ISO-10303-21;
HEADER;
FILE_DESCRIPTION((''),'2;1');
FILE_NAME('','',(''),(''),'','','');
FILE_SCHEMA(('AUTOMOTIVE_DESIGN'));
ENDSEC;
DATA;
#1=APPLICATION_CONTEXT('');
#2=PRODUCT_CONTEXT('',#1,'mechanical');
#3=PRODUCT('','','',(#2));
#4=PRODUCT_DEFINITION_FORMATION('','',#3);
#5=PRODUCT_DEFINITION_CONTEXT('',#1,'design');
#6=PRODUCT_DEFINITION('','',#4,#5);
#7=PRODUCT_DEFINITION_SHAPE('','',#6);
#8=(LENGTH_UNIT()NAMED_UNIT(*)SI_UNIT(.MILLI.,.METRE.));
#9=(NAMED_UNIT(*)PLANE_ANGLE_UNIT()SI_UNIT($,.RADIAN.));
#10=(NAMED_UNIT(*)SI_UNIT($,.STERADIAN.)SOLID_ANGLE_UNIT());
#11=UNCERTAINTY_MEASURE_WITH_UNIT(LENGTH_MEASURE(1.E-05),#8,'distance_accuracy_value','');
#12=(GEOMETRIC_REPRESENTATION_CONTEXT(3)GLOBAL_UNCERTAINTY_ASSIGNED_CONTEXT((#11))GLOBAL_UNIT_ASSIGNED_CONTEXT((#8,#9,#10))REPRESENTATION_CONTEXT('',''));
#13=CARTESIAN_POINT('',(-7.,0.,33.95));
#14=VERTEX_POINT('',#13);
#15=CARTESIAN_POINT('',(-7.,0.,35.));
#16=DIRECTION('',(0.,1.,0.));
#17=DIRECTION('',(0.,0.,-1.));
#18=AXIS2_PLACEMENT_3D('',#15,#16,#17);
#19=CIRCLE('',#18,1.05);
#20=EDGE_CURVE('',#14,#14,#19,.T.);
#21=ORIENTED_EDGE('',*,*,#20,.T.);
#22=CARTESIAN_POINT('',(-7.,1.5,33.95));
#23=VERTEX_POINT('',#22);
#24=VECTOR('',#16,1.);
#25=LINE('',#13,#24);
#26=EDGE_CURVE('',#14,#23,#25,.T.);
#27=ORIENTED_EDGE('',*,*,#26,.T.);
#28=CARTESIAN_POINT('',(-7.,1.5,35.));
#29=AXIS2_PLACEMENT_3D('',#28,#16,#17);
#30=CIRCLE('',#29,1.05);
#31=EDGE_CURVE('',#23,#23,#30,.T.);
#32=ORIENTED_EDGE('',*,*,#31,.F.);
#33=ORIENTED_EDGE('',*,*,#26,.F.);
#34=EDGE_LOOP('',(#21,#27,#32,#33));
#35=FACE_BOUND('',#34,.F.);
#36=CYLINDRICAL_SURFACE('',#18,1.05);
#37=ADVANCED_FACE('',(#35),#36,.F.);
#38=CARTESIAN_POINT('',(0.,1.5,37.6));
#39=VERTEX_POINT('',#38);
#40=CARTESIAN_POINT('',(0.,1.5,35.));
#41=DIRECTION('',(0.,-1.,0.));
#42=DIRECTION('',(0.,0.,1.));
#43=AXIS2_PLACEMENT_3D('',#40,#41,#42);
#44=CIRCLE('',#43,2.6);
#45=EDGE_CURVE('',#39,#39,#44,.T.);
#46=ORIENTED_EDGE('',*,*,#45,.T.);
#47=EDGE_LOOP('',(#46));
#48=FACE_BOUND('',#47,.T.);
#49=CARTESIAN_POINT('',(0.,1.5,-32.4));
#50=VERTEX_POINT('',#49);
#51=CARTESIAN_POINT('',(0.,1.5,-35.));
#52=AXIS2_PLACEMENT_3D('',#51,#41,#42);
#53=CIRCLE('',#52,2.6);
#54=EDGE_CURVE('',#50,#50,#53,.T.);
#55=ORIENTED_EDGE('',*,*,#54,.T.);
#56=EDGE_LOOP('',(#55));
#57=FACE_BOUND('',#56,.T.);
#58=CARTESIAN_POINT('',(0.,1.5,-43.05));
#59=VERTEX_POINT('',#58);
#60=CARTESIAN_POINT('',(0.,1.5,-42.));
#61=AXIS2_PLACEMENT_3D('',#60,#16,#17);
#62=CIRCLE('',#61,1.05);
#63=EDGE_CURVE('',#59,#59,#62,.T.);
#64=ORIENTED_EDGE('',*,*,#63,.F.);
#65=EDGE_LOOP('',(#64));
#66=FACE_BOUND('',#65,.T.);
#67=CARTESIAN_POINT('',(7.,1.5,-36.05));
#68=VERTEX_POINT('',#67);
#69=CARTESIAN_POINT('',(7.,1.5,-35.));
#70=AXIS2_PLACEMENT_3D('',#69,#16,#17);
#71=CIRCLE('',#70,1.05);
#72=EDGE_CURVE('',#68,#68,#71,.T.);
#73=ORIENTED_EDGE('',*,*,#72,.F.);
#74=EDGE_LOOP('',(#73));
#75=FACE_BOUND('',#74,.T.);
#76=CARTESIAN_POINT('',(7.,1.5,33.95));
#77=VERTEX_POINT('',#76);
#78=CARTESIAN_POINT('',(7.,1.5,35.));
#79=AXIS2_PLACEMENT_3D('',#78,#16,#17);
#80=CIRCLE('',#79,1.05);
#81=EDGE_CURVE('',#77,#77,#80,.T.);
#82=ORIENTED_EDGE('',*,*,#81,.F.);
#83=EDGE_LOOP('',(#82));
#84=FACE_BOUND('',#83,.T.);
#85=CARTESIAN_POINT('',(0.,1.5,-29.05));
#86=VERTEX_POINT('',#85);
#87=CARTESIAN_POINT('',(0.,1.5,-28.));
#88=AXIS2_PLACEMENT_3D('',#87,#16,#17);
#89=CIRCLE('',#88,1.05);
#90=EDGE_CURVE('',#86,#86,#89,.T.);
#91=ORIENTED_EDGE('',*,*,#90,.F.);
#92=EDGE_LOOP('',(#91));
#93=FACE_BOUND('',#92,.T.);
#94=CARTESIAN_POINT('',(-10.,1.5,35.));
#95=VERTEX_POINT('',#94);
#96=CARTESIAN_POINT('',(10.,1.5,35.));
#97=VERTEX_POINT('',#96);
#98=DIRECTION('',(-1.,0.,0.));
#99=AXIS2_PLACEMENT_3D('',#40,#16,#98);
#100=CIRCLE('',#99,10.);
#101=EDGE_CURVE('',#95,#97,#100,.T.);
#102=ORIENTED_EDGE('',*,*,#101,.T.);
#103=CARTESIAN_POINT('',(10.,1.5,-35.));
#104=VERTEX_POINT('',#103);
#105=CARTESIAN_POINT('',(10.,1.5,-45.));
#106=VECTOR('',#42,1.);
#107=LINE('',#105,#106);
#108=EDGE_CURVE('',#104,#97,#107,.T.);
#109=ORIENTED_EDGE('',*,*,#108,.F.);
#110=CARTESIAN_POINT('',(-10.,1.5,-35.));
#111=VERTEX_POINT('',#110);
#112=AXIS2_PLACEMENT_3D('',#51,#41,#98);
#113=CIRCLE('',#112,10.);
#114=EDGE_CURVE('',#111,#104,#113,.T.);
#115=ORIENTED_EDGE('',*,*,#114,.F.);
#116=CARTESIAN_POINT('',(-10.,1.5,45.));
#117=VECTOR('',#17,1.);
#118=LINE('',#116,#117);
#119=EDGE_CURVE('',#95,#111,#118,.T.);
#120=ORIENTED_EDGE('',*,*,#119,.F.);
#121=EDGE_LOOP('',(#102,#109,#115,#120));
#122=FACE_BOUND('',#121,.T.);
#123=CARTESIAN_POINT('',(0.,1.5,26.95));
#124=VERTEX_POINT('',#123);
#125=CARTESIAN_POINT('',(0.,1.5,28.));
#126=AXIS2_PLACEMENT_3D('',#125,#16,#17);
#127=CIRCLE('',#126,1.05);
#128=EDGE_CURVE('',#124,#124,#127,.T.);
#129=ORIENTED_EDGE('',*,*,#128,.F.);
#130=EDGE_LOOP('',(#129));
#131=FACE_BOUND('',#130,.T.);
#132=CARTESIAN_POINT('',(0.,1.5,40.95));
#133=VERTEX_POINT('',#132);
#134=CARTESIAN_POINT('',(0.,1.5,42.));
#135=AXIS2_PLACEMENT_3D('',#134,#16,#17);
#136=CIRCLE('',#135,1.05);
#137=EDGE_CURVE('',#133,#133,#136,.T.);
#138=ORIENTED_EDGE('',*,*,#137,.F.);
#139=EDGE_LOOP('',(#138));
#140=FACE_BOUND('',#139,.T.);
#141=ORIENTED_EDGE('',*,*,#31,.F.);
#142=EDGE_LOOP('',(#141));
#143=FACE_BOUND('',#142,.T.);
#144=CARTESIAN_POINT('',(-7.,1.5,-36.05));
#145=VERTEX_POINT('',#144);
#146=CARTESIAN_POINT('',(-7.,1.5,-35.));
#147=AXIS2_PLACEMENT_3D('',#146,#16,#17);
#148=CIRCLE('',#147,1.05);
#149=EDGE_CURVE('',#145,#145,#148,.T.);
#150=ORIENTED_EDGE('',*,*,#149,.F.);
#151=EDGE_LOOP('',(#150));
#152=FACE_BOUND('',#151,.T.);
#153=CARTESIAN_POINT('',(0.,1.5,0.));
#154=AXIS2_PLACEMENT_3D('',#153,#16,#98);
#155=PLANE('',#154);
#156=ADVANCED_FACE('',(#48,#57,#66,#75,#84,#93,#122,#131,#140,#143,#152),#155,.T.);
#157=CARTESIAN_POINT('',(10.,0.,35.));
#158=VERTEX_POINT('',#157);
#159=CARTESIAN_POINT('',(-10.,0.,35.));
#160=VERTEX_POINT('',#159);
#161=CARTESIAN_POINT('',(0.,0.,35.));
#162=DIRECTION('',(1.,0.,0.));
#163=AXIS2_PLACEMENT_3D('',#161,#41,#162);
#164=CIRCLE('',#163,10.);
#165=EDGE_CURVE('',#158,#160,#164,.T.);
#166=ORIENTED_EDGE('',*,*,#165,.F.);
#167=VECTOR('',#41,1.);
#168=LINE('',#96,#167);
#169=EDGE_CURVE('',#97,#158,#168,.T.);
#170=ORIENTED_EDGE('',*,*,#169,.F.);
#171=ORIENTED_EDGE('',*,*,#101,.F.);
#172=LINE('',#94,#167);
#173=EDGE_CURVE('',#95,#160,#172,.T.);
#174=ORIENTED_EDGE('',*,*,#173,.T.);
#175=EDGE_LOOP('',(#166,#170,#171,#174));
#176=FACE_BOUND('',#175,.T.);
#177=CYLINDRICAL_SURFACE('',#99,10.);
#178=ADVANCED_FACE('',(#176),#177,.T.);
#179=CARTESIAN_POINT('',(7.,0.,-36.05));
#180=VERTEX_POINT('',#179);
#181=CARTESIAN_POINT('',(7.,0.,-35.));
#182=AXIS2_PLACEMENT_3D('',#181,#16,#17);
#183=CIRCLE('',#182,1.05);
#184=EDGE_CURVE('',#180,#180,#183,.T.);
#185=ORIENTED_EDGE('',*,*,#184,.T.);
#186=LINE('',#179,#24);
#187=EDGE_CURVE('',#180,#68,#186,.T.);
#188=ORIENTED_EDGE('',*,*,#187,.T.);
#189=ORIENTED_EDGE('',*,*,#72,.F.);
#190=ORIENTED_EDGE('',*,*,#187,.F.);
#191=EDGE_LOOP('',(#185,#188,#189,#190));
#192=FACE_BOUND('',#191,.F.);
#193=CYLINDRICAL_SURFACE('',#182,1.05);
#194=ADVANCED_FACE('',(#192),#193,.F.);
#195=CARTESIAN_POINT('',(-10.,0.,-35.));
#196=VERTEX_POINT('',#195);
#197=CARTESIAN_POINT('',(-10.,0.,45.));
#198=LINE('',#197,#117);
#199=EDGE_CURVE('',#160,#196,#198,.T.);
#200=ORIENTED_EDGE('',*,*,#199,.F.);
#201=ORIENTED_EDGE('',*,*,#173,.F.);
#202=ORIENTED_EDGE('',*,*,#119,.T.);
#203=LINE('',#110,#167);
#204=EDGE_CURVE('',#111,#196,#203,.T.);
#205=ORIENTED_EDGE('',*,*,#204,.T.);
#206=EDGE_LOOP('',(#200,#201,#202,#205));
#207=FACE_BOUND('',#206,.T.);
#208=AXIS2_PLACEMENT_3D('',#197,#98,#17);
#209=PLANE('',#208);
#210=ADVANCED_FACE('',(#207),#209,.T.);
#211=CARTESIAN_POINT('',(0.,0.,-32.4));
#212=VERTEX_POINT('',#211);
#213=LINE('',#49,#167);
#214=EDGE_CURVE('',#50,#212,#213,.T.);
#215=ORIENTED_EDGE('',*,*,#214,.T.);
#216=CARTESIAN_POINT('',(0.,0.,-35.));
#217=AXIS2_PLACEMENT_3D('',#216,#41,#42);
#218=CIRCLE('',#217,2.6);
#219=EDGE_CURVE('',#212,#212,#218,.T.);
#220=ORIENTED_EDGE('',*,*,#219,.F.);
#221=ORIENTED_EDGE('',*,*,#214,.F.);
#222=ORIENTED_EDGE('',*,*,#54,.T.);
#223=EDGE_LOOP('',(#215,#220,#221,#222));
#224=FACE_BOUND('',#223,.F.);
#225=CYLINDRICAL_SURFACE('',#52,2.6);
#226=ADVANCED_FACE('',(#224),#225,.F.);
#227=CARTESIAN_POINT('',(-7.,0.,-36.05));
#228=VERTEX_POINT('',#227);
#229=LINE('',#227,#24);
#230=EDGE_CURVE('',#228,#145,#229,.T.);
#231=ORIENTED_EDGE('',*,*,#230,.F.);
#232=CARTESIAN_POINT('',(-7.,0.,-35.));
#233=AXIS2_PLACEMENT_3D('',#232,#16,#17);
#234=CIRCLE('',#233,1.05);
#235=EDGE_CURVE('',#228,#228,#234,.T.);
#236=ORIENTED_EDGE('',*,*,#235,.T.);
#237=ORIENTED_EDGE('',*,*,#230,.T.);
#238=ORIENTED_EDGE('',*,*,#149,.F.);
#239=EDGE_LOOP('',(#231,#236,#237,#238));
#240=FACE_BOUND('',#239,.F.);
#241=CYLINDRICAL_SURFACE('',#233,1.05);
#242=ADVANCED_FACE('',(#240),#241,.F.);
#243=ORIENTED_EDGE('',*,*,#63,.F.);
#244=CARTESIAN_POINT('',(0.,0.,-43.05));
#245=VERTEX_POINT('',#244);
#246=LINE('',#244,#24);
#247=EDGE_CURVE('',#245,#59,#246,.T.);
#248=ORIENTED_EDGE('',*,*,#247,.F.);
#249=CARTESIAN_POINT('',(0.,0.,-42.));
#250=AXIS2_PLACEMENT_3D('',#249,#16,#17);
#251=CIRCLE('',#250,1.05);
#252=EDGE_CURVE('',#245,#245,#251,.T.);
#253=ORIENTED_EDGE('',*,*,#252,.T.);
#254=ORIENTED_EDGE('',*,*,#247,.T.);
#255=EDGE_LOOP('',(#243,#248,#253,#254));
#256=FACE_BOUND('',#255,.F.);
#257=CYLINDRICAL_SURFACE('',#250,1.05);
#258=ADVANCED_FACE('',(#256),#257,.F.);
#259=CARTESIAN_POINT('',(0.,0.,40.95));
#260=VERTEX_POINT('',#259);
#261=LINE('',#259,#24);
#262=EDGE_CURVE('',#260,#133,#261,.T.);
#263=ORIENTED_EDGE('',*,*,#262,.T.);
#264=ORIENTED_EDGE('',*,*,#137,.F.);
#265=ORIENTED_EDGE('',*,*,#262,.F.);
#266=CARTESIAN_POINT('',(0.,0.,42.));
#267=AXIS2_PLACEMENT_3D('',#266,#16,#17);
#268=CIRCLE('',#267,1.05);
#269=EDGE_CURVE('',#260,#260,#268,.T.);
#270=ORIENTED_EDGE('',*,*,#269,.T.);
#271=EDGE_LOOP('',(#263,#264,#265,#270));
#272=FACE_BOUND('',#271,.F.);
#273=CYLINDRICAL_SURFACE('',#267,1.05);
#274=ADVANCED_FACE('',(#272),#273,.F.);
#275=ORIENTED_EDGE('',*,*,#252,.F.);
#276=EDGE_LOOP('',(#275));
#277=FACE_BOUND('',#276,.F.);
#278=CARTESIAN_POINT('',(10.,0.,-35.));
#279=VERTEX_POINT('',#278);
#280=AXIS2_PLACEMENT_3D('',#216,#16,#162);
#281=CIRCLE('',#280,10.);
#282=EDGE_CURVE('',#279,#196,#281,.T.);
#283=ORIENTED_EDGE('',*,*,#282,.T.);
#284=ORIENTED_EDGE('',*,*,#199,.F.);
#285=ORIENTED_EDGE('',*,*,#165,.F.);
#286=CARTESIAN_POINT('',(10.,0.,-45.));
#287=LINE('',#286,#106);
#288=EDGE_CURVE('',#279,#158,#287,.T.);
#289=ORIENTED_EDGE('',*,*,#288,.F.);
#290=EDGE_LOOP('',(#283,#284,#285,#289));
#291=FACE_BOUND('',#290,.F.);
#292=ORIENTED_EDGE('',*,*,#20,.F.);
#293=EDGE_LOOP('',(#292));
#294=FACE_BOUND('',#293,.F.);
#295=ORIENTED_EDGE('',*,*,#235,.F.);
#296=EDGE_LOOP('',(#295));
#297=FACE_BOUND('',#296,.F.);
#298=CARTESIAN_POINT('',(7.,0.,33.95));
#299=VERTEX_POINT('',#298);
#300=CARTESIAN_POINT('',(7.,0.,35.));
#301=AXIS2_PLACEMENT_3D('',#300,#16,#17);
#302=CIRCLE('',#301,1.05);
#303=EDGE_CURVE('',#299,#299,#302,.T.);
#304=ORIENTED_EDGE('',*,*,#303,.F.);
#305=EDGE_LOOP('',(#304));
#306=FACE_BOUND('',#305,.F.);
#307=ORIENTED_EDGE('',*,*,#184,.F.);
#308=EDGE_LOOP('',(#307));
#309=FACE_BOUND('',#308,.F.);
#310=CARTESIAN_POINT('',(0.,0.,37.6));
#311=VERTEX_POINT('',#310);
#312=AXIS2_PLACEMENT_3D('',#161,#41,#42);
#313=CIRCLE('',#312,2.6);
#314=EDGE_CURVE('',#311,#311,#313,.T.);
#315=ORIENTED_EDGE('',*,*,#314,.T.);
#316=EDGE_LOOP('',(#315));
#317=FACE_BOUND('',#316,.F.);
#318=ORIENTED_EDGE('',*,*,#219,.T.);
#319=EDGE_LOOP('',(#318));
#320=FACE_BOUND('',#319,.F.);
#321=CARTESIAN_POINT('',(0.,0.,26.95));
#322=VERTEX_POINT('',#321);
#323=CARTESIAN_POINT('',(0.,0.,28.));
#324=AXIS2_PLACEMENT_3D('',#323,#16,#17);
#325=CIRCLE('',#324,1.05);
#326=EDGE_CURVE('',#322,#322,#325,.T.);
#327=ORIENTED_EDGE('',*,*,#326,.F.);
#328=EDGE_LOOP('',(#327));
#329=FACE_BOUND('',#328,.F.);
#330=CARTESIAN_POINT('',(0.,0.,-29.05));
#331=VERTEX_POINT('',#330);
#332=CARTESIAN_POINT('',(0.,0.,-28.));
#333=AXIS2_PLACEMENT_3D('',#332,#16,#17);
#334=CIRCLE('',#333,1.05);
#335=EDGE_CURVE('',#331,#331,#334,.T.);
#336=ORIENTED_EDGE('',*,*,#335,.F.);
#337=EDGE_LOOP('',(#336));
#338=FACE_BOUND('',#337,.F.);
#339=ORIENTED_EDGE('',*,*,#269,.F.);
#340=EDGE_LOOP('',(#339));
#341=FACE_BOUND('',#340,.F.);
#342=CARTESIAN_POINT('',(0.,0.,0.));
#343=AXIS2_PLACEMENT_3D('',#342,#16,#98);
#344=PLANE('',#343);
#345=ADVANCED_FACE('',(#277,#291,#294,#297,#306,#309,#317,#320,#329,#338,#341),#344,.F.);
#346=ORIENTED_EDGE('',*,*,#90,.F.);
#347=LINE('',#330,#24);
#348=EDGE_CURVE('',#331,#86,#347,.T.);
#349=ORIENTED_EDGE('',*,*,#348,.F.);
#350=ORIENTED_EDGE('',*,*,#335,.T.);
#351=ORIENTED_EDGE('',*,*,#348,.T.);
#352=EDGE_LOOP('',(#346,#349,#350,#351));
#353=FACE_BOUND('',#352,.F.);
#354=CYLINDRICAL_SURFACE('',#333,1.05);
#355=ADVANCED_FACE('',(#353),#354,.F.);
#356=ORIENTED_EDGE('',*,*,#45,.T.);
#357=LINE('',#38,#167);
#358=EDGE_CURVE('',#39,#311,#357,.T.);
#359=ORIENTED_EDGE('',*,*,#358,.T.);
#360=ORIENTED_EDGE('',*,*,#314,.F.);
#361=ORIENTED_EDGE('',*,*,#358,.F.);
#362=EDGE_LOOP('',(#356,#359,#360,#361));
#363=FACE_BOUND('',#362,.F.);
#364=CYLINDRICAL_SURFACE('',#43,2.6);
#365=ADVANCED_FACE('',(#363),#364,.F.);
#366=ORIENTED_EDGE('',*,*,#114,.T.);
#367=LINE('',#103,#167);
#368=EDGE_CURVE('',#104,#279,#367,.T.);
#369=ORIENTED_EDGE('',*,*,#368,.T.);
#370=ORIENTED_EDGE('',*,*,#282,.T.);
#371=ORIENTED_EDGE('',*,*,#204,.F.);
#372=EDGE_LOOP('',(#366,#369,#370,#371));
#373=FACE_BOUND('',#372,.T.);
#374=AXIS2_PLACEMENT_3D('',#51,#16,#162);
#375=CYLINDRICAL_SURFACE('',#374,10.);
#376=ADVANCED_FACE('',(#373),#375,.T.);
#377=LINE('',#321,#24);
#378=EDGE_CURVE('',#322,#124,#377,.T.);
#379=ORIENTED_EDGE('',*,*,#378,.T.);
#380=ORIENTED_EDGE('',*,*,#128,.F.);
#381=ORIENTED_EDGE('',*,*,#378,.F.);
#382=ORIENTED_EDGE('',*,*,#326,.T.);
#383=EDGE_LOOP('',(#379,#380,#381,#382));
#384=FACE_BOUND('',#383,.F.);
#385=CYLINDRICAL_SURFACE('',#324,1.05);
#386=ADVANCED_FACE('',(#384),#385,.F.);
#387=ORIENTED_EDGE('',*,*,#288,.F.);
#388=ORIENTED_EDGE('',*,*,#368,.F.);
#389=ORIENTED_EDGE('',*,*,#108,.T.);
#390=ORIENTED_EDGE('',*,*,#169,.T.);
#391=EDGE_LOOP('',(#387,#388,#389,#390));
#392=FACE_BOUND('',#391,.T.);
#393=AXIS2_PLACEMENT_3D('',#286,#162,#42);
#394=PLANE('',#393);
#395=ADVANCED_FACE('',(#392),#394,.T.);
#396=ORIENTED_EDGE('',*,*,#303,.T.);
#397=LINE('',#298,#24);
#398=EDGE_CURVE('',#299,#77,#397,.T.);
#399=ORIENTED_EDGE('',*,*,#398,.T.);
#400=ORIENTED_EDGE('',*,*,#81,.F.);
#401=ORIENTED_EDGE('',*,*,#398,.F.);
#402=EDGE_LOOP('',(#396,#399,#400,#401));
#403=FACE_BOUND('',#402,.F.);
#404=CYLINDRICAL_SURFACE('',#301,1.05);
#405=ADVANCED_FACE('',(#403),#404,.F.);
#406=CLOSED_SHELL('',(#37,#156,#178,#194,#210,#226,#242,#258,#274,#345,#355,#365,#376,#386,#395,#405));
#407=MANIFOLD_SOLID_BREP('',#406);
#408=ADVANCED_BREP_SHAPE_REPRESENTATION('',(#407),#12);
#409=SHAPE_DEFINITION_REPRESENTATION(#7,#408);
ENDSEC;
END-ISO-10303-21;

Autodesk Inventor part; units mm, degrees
ref_plane "YZ Plane" through (0, 0, 0) normal (1, 0, 0) x (0, 1, 0)
ref_plane "XZ Plane" through (0, 0, 0) normal (0, 1, 0) x (-1, 0, 0)
ref_plane "XY Plane" through (0, 0, 0) normal (0, 0, 1) x (1, 0, 0)
sketch "Sketch1" plane through (0, 0, 0) normal (0, 1, 0) x (-1, 0, 0)
  line L0 (10, -45) -> (-10, -45)
  line L1 (-10, -45) -> (-10, 45)
  line L2 (-10, 45) -> (10, 45)
  line L3 (10, 45) -> (10, -45)
  point P0 (0, 0)
  dimension "d0" = 20
  dimension "d1" = 90
  dimension "d2" = 45
  dimension "d3" = 10
extrude "Plate1" add sketch "Sketch1" along normal blind 1.5
sketch "Sketch2" plane through (0, 0, 0) normal (0, -1, 0) x (1, 0, 0)
  circle A0 centre (0, 42) radius 0.7835 projected
  circle A1 centre (-7, 35) radius 0.7835 projected
  circle A2 centre (0, 28) radius 0.7835 projected
  circle A3 centre (7, 35) radius 0.7835 projected
  circle A4 centre (0, -28) radius 0.7835 projected
  circle A5 centre (-7, -35) radius 0.7835 projected
  circle A6 centre (0, -42) radius 0.7835 projected
  circle A7 centre (7, -35) radius 0.7835 projected
  point P0 (0, 0)
hole "Hole1" at (0, 0, 42) at (-7, 0, 35) at (0, 0, 28) at (7, 0, 35) at (0, 0, -28) at (-7, 0, -35) at (0, 0, -42) at (7, 0, -35) direction (0, 1, 0) diameter 2.1 depth 1.5
sketch "Sketch3" plane through (0, 1.5, 0) normal (0, 1, 0) x (1, 0, 0)
  arc A0 (10, 35) -> (-10, 35) centre (0, 35) ccw
  arc A1 (-10, -35) -> (10, -35) centre (0, -35) ccw
  line L0 (-10, 35) -> (-10, -35)
  line L1 (10, 35) -> (10, -35)
  line L2 (10, 45) -> (10, -45) projected
  line L3 (-10, 45) -> (10, 45)
  line L4 (10, 45) -> (10, -45)
  line L5 (10, -45) -> (-10, -45)
  line L6 (-10, -45) -> (-10, 45)
  point P0 (0, 0)
  point P1 (0, 45)
  point P2 (10, 35)
  point P3 (-10, -35)
  point P4 (0, -45)
  point P5 (10, -35)
  dimension "d12" = 35
  dimension "d13" = 35
  dimension "d14" = 10
  dimension "d15" = 10
  dimension "d16" = 10
  dimension "d17" = 20
  dimension "d18" = 90
extrude "Extrusion1" cut sketch "Sketch3" against normal blind 10 contours A0 L3 L2 | A0 L6 L3 | L2 L5 A1 | L5 L6 A1
sketch "Sketch4" plane through (0, 1.5, 0) normal (0, 1, 0) x (1, 0, 0)
  arc A0 (10, 35) -> (-10, 35) centre (0, 35) ccw projected
  arc A1 (-10, -35) -> (10, -35) centre (0, -35) ccw projected
  point P0 (0, 0)
hole "Hole2" at (0, 1.5, -35) at (0, 1.5, 35) direction (0, -1, 0) diameter 5.2 depth 1.5 clearance for "Hex Head Bolt" size "M5" standard "Ansi Metric M Profile"
equation "\"d10\" = Thickness"
equation "\"d26\" = Thickness"
equation "\"d4\" = Thickness"
equation "\"BendReliefWidth\" = Thickness"
equation "\"BendReliefDepth\" = 0.5 * Thickness"
equation "\"CornerReliefSize\" = 4 * Thickness"
equation "\"MinimumRemnant\" = 2 * Thickness"
equation "\"TransitionRadius\" = BendRadius"
equation "\"JacobiRadiusSize\" = BendRadius"
equation "\"GapSize\" = Thickness"
equation "\"Thickness\" = 1.5"
equation "\"BendRadius\" = 0.31"
properties part number "axis_10_11-connector_frame" material "Aluminum 6061-AHC"
